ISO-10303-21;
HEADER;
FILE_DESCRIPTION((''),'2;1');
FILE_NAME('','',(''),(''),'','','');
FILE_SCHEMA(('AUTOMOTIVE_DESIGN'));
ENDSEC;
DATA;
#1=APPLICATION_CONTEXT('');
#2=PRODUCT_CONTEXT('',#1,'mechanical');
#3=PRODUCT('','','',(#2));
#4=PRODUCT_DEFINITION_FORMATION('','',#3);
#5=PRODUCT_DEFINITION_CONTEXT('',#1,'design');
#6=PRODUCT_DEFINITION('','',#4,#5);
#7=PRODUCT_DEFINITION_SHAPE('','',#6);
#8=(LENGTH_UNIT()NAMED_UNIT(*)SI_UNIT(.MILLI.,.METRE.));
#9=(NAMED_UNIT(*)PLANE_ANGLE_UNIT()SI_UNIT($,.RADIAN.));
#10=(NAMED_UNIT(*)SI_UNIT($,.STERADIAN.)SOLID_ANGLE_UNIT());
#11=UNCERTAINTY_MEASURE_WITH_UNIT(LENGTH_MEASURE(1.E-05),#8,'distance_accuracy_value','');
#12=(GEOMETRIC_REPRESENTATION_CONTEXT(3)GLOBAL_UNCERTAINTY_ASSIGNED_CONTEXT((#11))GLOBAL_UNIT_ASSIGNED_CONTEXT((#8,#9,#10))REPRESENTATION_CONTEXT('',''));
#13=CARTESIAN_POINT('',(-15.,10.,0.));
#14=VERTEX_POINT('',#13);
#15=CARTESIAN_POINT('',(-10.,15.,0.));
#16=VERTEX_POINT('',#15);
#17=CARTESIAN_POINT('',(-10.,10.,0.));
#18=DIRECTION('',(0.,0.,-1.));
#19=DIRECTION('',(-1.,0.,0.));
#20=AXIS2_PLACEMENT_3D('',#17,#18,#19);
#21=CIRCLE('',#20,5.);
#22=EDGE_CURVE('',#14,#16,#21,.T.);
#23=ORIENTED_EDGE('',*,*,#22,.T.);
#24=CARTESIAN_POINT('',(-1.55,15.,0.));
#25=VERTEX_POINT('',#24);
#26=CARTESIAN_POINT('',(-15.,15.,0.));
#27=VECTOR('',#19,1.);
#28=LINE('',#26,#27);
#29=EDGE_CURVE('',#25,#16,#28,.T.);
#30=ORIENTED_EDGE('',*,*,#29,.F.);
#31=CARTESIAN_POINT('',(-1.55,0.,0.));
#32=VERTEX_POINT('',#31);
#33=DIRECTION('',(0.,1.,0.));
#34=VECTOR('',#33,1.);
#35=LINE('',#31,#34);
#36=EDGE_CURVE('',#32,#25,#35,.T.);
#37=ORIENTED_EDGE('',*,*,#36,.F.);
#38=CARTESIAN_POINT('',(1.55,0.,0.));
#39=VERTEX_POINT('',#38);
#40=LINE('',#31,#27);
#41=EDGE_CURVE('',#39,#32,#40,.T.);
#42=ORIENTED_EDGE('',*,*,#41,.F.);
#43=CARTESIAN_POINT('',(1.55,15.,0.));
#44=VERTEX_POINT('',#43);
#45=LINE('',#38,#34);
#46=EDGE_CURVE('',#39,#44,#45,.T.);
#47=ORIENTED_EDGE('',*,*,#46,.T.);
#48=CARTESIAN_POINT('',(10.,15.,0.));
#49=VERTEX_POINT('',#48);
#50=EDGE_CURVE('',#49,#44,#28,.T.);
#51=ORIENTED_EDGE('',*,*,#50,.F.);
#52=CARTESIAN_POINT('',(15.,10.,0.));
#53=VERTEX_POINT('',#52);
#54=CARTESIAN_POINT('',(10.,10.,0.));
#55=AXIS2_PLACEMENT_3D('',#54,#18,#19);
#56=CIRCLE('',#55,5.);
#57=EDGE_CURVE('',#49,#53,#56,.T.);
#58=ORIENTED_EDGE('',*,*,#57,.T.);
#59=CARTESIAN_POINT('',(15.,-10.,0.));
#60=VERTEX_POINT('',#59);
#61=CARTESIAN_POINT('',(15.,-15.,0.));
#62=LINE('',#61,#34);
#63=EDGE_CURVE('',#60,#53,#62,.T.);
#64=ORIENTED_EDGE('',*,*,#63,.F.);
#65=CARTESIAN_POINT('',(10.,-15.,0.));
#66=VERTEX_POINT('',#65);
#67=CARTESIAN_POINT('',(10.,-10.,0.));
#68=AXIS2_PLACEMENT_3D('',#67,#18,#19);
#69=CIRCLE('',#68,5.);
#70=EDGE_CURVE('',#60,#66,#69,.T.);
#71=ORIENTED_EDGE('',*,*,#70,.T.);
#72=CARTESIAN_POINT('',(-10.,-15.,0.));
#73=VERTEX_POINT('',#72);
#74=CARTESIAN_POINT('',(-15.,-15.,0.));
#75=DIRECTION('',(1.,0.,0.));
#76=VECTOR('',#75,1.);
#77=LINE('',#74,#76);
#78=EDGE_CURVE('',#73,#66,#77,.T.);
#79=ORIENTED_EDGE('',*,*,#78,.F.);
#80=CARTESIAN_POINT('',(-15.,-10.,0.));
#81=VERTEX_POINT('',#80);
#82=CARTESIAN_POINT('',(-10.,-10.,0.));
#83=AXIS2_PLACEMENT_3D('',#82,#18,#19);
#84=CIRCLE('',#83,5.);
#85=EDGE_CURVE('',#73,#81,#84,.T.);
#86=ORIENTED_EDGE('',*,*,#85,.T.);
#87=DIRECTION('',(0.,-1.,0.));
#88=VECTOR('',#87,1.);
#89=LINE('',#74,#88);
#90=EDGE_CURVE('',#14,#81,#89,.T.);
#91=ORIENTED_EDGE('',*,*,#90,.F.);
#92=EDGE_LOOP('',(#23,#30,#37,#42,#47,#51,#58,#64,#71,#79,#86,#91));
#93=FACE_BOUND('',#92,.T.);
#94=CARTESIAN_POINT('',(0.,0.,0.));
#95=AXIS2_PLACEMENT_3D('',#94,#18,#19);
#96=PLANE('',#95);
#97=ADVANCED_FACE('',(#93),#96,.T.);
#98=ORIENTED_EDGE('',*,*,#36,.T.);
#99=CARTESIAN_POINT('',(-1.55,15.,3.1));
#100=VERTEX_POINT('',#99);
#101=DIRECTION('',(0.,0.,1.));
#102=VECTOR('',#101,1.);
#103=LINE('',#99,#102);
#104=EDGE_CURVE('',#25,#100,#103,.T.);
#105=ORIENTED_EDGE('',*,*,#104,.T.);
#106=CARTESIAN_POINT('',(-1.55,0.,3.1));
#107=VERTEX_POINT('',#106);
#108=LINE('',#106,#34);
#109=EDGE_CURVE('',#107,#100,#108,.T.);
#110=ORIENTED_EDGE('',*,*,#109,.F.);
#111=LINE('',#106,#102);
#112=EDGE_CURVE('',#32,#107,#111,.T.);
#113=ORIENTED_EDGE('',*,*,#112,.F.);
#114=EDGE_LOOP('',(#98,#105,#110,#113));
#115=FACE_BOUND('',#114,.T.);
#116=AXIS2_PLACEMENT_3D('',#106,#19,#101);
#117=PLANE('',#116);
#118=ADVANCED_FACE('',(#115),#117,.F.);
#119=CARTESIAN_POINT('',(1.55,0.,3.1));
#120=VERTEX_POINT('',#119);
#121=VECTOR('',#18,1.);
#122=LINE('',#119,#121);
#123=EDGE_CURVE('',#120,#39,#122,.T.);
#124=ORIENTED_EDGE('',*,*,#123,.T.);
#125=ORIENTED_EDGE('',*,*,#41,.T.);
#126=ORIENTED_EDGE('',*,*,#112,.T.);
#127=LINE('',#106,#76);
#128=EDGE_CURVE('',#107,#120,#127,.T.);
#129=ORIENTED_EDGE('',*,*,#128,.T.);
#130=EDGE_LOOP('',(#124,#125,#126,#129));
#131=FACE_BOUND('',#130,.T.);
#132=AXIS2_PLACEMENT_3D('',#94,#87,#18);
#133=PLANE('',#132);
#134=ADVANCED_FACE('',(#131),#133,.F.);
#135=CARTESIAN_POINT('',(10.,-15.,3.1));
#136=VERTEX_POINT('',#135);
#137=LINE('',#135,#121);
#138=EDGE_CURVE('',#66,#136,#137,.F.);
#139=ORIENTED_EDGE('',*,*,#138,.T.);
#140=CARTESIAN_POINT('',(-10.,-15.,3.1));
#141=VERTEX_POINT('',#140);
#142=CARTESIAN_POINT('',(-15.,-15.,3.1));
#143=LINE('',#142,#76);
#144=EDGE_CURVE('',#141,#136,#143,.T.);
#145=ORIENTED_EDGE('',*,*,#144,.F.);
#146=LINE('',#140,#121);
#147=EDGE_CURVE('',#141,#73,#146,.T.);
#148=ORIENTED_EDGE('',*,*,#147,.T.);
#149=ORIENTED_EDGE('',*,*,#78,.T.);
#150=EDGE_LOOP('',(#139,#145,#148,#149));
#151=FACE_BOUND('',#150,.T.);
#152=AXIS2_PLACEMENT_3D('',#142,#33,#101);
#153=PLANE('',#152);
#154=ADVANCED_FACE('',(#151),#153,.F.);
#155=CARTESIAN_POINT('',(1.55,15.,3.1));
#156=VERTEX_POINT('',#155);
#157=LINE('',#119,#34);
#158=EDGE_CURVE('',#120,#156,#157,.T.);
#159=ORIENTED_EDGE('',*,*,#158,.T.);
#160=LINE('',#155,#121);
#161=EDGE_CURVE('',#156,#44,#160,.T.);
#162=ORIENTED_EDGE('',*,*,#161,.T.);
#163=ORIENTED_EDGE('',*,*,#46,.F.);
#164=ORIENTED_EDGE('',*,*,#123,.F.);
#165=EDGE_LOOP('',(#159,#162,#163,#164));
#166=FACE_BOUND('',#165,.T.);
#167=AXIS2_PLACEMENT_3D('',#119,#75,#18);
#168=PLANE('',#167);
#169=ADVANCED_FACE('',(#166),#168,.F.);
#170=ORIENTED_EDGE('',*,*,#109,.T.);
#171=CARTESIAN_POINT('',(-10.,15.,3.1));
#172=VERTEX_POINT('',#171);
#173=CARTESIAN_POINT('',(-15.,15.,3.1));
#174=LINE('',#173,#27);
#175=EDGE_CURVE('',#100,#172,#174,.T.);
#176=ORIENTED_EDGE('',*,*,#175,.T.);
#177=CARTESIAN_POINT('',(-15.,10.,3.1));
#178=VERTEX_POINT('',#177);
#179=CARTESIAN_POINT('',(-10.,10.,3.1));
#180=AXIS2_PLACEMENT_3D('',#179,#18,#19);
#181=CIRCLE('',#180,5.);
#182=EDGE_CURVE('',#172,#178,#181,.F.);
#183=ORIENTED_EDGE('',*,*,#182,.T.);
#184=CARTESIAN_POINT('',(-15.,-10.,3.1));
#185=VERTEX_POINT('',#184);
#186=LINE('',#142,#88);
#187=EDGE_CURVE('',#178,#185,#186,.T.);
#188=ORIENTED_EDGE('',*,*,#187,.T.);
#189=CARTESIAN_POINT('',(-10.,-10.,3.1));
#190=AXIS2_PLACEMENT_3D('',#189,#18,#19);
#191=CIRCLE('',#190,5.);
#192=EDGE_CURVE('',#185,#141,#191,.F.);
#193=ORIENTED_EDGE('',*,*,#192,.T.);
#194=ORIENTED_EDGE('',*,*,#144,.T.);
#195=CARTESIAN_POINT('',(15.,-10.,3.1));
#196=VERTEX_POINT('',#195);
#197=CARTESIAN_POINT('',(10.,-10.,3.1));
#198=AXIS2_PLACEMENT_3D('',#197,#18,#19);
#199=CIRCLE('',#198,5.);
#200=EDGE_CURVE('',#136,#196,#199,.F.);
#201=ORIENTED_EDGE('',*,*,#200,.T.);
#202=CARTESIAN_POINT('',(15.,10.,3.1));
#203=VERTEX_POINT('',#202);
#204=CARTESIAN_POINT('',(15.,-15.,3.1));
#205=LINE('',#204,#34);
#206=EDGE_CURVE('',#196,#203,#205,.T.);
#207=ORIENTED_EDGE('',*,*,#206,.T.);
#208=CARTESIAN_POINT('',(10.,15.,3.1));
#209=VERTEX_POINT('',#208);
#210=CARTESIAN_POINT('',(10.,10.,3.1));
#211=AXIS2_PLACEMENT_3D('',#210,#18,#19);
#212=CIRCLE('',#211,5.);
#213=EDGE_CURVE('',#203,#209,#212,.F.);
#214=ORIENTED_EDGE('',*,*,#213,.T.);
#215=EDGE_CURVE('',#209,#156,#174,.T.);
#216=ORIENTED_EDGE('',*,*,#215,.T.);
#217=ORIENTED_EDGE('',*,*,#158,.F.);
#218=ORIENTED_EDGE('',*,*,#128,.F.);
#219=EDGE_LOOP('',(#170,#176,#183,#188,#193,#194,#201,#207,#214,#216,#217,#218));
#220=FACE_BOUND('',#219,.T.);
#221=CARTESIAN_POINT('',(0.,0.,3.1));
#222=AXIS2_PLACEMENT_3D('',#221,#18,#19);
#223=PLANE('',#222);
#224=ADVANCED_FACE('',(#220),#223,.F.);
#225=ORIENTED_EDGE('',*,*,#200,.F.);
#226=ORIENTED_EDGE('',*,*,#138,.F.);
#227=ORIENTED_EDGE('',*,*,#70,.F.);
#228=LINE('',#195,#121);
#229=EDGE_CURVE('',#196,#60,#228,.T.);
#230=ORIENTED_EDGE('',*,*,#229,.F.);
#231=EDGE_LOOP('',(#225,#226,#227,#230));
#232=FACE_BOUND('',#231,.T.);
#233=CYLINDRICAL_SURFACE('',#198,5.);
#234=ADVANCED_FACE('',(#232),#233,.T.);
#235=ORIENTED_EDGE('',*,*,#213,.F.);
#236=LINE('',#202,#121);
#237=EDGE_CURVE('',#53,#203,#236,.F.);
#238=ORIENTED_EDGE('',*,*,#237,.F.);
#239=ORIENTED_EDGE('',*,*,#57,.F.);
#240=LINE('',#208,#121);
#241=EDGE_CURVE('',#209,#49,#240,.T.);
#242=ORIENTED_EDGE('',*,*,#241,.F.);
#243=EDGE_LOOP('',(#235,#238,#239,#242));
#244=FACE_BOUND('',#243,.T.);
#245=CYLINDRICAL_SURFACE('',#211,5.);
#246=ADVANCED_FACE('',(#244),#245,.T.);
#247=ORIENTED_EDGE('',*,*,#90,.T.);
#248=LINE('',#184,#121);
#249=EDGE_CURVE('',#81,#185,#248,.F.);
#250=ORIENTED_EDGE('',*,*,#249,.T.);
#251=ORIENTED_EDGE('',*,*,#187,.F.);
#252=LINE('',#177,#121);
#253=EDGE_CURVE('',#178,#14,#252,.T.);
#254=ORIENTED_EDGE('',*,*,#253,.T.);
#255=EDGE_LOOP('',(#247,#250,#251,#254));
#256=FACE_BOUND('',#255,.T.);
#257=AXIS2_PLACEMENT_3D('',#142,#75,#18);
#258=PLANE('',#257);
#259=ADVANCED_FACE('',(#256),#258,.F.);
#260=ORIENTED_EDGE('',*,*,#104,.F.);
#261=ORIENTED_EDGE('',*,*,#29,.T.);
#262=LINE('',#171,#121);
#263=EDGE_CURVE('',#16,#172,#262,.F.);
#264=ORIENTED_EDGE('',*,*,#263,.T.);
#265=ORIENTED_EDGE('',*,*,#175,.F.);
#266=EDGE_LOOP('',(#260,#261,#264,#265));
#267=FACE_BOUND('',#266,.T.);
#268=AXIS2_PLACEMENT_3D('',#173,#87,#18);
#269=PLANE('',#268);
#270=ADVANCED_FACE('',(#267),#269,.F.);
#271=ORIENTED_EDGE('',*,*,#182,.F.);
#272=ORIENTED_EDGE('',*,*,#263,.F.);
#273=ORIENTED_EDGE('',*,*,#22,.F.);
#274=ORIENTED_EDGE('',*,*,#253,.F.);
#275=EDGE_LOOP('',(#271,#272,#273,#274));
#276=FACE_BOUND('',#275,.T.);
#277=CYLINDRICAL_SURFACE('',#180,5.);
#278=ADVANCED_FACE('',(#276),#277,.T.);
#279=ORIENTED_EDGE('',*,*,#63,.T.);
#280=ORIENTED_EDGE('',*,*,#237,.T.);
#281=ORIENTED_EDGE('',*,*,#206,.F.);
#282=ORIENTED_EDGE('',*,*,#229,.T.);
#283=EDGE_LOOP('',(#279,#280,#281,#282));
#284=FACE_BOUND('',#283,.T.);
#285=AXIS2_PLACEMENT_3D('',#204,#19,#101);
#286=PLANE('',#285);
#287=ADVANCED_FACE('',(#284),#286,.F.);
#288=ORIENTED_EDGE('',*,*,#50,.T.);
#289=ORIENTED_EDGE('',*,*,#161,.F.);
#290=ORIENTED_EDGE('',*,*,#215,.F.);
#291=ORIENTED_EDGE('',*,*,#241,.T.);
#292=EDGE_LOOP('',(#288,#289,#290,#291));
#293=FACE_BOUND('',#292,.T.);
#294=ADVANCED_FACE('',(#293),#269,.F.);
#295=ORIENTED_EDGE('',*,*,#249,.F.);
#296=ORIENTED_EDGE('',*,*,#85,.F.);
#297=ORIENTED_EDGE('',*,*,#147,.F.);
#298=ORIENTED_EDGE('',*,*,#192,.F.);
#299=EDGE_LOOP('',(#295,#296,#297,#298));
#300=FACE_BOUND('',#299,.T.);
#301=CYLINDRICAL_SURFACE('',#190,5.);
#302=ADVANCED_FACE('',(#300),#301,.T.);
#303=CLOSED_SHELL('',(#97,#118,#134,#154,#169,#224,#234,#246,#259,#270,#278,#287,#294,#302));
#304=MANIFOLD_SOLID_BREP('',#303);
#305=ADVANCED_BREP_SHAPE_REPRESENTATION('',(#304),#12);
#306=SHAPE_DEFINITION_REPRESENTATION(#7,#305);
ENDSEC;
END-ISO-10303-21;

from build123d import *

# Parameters (mm, degrees)
SKETCH1_W           = 30
SKETCH1_H           = 30
BOSS_EXTRUDE1_DEPTH = 3.1
SKETCH2_W           = 3.1
SKETCH2_H           = 3.1
CUT_EXTRUDE1_DEPTH  = 15
FILLET1_R           = 5


with BuildPart() as part:
    # Sketch1 → Boss-Extrude1 (new body)
    with BuildSketch(Plane.XY):
        Rectangle(SKETCH1_W, SKETCH1_H)
    extrude(amount=BOSS_EXTRUDE1_DEPTH)

    # Sketch2 → Cut-Extrude1 (cut)
    with BuildSketch(Plane(origin=(0, 15, 0), x_dir=(1, 0, 0), z_dir=(0, 1, 0))):
        with Locations((0, -1.55)):
            Rectangle(SKETCH2_W, SKETCH2_H)
    extrude(amount=-CUT_EXTRUDE1_DEPTH, mode=Mode.SUBTRACT)

    # Fillet1
    fillet1_edges = [part.edges().sort_by_distance(p)[0] for p in [
        (15, -15, 1.55),
        (-15, -15, 1.55),
        (-15, 15, 1.55),
        (15, 15, 1.55),
    ]]
    fillet(fillet1_edges, radius=FILLET1_R)


solid = part.part
